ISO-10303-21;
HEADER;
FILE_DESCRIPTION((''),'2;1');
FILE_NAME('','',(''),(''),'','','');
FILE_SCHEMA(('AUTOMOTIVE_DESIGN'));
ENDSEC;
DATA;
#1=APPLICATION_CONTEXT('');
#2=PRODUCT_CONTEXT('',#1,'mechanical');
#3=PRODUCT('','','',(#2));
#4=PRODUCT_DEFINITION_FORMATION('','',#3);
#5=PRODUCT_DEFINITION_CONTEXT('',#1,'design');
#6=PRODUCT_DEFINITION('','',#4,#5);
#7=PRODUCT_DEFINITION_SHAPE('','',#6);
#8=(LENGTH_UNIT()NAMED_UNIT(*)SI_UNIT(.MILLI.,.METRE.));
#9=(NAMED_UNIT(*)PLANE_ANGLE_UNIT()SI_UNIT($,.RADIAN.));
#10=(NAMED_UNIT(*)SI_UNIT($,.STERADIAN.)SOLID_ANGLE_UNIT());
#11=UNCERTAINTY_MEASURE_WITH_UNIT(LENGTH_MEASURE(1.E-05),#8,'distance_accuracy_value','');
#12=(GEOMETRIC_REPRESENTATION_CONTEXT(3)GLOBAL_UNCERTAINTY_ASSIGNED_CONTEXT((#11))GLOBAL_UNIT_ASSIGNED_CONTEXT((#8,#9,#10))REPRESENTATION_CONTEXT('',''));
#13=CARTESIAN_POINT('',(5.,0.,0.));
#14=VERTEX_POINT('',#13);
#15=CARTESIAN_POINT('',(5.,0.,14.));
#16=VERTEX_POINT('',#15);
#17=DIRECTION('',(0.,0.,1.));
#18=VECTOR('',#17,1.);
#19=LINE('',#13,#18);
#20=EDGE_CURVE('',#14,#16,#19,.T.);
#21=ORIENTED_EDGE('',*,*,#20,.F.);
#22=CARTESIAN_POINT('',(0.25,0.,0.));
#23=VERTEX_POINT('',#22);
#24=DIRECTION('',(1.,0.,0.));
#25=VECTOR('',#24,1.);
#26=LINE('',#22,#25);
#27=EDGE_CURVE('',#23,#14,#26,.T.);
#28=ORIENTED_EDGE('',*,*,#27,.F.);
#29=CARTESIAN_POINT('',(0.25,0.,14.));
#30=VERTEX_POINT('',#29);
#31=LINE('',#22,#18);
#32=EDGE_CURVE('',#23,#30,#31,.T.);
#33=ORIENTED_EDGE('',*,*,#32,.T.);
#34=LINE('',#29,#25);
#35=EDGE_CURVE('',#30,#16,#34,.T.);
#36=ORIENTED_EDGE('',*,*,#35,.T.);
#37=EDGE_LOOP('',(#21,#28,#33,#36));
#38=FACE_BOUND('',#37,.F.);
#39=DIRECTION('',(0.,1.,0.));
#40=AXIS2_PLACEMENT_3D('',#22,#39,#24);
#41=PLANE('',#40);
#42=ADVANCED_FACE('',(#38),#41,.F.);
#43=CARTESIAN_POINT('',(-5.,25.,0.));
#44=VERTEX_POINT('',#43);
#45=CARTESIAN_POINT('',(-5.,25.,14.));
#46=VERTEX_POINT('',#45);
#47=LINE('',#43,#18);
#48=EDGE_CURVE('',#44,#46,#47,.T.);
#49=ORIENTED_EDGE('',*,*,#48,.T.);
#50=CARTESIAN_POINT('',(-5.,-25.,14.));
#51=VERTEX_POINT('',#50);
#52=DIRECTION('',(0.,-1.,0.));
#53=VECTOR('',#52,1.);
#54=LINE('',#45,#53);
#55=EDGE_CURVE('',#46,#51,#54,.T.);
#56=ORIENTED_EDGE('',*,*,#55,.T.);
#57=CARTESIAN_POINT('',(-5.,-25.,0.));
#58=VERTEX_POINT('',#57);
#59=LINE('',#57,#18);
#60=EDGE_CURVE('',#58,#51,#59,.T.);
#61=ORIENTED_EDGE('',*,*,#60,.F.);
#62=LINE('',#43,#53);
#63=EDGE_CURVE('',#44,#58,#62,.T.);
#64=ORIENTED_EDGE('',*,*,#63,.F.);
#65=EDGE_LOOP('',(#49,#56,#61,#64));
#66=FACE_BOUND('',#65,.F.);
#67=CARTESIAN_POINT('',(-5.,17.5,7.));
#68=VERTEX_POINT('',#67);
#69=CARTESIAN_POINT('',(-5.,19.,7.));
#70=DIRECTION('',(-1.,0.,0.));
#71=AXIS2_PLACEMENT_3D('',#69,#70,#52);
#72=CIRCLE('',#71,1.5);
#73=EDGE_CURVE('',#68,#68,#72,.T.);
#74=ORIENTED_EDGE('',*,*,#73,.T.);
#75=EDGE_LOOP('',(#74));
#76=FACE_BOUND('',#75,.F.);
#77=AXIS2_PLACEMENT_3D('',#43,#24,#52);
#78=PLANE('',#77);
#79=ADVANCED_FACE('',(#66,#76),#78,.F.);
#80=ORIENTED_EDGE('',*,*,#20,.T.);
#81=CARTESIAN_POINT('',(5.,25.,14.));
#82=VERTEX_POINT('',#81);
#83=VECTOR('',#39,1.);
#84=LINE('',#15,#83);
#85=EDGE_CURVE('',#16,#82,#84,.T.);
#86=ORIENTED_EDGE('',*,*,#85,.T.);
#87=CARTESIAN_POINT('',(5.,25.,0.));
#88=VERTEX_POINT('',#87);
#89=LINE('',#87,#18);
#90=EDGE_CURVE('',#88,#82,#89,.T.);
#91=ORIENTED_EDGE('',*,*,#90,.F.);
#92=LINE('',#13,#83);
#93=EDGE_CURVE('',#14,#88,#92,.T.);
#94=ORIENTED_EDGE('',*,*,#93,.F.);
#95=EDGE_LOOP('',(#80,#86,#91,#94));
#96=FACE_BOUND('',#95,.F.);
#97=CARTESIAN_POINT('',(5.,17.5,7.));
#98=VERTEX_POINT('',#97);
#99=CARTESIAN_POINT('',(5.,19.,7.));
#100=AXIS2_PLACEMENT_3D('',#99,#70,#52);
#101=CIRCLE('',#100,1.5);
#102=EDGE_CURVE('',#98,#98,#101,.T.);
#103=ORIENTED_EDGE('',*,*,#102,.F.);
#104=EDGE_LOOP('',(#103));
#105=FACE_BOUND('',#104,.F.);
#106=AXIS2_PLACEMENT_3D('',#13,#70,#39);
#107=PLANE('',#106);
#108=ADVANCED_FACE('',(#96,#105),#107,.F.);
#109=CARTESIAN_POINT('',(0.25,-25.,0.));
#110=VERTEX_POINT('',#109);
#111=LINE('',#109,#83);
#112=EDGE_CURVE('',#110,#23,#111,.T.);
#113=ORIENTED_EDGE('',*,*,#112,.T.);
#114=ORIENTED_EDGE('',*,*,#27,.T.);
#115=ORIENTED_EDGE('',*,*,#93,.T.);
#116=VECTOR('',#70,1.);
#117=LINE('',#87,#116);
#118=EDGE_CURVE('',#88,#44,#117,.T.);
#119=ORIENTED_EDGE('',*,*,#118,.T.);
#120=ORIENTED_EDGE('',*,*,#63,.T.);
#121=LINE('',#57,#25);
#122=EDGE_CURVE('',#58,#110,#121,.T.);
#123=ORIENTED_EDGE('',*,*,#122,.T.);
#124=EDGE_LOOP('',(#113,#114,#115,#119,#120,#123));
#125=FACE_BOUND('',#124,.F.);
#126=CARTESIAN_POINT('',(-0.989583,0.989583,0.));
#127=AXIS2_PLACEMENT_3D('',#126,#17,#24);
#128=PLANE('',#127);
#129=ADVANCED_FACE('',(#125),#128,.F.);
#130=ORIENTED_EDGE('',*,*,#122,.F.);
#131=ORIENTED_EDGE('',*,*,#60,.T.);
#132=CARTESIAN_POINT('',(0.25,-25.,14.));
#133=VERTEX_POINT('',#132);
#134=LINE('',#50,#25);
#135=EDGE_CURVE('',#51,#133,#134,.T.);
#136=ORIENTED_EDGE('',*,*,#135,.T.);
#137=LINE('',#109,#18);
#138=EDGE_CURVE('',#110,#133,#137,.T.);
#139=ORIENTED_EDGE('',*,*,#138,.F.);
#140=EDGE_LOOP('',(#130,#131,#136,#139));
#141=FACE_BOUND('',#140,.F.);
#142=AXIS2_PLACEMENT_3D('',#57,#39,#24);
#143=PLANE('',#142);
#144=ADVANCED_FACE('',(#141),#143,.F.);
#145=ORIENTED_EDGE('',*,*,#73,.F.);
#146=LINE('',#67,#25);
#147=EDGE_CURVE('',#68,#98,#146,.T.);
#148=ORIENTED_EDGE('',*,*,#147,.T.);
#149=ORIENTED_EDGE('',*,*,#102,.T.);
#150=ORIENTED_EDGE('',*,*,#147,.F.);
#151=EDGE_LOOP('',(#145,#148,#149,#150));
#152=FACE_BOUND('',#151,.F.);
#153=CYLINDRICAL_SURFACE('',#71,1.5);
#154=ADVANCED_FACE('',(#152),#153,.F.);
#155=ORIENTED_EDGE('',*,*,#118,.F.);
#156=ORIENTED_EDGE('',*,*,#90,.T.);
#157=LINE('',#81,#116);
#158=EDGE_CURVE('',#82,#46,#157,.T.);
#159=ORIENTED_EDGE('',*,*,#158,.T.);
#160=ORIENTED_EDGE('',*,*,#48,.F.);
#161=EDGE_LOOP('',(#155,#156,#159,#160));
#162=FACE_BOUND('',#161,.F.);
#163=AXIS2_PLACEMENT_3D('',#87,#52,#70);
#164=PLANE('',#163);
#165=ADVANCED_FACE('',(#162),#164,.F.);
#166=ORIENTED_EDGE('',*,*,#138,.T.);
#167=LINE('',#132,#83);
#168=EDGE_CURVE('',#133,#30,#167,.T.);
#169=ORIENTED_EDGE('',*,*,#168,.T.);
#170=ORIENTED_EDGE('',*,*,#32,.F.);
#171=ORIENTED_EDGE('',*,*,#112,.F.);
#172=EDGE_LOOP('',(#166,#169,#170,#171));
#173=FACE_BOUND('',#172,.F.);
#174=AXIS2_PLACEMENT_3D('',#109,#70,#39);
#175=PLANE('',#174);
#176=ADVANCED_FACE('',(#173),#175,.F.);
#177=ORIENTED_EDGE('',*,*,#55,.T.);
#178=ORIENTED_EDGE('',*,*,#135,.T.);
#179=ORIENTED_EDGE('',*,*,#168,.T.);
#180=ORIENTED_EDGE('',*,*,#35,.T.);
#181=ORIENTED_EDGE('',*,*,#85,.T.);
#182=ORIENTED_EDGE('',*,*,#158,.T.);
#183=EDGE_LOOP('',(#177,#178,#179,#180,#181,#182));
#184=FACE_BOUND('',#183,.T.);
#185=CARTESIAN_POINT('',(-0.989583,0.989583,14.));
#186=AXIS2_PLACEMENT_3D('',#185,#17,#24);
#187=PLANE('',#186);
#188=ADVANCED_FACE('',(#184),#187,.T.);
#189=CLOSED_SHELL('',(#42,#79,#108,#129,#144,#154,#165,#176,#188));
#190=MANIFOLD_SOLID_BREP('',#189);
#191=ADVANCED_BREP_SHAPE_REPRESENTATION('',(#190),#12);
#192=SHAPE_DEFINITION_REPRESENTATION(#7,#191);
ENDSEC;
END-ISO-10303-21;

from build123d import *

# Parameters (mm, degrees)
F1_DEPTH = 14
F2_R     = 1.5
F3_DEPTH = 25


with BuildPart() as f1:
    # F0 (on Top) → F1 (new body)
    with BuildSketch(Plane.XY):
        Polygon((-5, -25), (0.25, -25), (0.25, 0), (5, 0), (5, 25), (-5, 25), align=None)
    extrude(amount=F1_DEPTH)

    # F2 (on face) → F3 (cut)
    with BuildSketch(Plane(origin=(-5, 0, 0), x_dir=(0, -1, 0), z_dir=(-1, 0, 0))):
        with Locations((-19, 7)):
            Circle(F2_R)
    extrude(amount=-F3_DEPTH, mode=Mode.SUBTRACT)


solid = f1.part
